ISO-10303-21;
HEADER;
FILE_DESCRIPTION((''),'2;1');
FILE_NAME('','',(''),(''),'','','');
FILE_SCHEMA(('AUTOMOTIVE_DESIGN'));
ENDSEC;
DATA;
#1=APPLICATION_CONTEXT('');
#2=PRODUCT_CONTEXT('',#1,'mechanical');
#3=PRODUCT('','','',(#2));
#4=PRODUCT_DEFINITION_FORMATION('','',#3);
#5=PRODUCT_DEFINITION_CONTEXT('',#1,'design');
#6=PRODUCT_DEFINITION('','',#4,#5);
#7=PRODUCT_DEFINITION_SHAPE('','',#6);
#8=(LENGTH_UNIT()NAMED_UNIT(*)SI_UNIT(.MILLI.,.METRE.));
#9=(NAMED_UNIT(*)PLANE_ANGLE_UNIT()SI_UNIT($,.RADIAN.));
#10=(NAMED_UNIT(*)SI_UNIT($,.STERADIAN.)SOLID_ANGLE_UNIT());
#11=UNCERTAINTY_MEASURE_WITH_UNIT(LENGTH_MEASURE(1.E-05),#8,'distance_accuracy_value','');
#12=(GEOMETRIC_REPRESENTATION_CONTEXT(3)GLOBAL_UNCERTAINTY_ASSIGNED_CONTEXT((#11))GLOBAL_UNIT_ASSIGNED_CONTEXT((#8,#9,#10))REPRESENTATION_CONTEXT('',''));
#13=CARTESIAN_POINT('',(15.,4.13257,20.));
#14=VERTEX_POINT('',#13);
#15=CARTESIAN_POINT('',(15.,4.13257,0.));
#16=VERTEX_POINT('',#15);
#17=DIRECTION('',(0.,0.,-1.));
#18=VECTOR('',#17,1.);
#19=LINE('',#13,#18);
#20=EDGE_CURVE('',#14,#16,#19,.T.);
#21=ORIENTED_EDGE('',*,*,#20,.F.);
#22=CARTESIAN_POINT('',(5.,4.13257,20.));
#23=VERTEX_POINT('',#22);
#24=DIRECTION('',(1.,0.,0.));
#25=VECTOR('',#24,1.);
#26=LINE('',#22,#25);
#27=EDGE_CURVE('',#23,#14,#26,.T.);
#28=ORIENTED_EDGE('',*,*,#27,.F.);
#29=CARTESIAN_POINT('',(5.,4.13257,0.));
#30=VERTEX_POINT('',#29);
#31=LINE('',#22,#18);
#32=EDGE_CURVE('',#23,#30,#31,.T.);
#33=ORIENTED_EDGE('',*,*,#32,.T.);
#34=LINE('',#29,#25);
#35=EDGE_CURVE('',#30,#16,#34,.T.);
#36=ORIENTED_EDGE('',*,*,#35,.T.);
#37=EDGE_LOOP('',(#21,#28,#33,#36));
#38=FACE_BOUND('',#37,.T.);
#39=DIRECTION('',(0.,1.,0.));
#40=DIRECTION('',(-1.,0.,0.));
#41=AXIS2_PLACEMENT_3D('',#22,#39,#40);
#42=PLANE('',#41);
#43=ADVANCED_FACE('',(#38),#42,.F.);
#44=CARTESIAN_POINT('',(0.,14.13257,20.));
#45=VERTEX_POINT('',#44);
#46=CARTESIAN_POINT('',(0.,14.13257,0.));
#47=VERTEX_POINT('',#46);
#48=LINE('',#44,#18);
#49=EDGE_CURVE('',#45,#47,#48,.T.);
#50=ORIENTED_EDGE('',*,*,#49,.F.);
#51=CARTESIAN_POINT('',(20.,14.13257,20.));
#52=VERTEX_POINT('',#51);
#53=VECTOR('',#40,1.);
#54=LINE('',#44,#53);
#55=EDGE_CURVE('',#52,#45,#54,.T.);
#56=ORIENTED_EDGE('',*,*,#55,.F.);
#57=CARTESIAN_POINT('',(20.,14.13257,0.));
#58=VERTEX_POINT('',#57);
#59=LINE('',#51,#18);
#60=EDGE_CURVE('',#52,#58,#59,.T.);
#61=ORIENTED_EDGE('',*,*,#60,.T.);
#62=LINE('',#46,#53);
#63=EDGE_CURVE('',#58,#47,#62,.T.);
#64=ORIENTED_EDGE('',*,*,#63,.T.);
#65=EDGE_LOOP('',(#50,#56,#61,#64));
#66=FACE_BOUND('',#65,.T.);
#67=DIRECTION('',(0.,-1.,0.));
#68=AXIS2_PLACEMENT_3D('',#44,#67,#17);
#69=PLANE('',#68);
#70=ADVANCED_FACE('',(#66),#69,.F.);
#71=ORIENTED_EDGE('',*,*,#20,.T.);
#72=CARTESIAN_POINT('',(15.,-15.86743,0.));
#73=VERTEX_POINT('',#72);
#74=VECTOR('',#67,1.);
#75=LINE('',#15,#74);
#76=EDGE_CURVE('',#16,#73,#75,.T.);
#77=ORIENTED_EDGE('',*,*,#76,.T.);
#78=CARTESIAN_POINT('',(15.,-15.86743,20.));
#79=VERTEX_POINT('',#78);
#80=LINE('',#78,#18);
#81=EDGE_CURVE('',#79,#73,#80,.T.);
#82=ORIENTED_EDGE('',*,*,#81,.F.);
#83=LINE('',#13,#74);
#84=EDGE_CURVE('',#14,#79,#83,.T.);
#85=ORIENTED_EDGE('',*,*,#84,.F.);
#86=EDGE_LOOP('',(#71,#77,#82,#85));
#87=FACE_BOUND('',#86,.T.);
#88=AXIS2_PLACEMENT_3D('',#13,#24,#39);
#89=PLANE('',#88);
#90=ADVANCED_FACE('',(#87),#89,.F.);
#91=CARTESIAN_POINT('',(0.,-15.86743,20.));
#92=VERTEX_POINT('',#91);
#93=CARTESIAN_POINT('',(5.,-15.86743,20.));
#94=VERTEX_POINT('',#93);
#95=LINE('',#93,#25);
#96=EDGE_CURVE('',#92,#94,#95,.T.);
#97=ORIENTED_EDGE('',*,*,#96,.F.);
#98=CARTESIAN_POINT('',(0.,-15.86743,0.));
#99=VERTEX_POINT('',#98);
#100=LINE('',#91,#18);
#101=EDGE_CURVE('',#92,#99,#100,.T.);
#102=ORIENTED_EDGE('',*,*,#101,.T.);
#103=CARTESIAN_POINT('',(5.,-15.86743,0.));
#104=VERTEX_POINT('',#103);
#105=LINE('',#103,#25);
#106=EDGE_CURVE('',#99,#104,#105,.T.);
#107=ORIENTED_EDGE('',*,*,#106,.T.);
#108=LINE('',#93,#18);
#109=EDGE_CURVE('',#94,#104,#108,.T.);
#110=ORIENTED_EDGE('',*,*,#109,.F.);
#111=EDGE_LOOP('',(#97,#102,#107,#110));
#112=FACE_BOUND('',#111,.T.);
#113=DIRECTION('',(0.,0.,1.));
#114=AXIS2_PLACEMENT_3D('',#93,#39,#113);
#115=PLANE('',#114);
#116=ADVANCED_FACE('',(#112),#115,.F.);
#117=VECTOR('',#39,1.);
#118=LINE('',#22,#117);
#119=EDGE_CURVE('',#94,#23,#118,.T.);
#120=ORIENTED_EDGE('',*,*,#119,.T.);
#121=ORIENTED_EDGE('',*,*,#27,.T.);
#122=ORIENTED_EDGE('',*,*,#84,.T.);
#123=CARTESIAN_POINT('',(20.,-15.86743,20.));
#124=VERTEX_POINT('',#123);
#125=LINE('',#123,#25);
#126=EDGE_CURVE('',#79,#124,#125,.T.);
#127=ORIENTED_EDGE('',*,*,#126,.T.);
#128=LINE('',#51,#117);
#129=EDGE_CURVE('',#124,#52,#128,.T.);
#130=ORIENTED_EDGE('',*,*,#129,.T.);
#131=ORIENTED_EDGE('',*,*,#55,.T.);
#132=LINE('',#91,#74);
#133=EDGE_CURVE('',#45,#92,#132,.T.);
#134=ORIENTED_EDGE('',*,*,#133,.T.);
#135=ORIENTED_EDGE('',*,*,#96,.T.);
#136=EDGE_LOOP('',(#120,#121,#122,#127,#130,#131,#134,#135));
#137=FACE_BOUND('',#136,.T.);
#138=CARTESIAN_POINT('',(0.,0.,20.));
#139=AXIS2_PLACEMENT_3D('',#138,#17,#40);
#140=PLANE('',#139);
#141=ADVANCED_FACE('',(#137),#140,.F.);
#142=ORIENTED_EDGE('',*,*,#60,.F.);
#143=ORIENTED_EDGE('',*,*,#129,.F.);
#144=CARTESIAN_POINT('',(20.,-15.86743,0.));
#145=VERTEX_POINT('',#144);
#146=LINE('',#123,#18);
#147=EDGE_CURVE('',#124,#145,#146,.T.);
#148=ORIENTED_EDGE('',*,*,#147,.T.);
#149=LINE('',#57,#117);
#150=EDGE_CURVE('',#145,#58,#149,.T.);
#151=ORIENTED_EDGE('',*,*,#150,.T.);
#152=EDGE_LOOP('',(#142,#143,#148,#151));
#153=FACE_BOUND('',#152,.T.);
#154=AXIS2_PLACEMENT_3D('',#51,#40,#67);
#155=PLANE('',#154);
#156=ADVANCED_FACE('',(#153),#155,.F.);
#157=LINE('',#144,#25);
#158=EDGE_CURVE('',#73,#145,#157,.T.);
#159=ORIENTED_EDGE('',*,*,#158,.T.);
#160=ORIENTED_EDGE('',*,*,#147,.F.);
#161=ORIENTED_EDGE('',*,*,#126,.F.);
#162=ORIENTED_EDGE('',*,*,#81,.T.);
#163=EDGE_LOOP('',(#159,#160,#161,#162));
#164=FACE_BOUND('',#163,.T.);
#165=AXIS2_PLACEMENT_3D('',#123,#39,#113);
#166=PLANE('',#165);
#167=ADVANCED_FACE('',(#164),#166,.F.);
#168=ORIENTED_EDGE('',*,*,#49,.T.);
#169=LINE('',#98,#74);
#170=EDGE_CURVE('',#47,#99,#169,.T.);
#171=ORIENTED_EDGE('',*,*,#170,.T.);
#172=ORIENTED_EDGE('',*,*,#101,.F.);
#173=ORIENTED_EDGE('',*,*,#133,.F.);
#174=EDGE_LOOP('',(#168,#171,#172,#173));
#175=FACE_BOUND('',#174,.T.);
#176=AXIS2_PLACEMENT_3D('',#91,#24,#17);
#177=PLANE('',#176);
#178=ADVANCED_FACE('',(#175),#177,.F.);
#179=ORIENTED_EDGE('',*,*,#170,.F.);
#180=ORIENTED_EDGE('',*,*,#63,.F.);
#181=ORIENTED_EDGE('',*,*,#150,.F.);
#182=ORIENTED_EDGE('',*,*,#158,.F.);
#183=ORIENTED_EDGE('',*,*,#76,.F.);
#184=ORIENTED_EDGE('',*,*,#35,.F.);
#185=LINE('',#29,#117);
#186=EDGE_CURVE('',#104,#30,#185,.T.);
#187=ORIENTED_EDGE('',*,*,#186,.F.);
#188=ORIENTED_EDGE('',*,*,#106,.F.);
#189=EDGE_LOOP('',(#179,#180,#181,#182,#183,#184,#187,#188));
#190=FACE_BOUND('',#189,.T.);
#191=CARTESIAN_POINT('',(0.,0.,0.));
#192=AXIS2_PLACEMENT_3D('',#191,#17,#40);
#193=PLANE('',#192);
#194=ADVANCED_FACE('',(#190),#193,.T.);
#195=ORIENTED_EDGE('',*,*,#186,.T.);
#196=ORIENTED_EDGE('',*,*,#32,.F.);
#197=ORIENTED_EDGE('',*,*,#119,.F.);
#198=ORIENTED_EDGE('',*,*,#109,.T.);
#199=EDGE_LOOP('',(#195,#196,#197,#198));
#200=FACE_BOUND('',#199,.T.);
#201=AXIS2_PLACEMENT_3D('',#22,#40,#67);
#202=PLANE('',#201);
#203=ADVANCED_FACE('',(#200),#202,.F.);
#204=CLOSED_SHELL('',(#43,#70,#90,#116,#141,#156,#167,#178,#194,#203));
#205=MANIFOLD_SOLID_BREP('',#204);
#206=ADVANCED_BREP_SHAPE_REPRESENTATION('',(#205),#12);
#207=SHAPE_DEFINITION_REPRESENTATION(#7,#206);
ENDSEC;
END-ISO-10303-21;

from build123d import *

# Parameters (mm, degrees)
EXTRUDE_1_DEPTH = 20


with BuildPart() as part:
    # 草图1 → 凸台-拉伸1 (new body)
    with BuildSketch(Plane.XY):
        Polygon((0, 14.132569968), (20, 14.132569968), (20, -15.867430032), (15, -15.867430032), (15, 4.132569968), (5, 4.132569968), (5, -15.867430032), (0, -15.867430032), align=None)
    extrude(amount=EXTRUDE_1_DEPTH)


solid = part.part
